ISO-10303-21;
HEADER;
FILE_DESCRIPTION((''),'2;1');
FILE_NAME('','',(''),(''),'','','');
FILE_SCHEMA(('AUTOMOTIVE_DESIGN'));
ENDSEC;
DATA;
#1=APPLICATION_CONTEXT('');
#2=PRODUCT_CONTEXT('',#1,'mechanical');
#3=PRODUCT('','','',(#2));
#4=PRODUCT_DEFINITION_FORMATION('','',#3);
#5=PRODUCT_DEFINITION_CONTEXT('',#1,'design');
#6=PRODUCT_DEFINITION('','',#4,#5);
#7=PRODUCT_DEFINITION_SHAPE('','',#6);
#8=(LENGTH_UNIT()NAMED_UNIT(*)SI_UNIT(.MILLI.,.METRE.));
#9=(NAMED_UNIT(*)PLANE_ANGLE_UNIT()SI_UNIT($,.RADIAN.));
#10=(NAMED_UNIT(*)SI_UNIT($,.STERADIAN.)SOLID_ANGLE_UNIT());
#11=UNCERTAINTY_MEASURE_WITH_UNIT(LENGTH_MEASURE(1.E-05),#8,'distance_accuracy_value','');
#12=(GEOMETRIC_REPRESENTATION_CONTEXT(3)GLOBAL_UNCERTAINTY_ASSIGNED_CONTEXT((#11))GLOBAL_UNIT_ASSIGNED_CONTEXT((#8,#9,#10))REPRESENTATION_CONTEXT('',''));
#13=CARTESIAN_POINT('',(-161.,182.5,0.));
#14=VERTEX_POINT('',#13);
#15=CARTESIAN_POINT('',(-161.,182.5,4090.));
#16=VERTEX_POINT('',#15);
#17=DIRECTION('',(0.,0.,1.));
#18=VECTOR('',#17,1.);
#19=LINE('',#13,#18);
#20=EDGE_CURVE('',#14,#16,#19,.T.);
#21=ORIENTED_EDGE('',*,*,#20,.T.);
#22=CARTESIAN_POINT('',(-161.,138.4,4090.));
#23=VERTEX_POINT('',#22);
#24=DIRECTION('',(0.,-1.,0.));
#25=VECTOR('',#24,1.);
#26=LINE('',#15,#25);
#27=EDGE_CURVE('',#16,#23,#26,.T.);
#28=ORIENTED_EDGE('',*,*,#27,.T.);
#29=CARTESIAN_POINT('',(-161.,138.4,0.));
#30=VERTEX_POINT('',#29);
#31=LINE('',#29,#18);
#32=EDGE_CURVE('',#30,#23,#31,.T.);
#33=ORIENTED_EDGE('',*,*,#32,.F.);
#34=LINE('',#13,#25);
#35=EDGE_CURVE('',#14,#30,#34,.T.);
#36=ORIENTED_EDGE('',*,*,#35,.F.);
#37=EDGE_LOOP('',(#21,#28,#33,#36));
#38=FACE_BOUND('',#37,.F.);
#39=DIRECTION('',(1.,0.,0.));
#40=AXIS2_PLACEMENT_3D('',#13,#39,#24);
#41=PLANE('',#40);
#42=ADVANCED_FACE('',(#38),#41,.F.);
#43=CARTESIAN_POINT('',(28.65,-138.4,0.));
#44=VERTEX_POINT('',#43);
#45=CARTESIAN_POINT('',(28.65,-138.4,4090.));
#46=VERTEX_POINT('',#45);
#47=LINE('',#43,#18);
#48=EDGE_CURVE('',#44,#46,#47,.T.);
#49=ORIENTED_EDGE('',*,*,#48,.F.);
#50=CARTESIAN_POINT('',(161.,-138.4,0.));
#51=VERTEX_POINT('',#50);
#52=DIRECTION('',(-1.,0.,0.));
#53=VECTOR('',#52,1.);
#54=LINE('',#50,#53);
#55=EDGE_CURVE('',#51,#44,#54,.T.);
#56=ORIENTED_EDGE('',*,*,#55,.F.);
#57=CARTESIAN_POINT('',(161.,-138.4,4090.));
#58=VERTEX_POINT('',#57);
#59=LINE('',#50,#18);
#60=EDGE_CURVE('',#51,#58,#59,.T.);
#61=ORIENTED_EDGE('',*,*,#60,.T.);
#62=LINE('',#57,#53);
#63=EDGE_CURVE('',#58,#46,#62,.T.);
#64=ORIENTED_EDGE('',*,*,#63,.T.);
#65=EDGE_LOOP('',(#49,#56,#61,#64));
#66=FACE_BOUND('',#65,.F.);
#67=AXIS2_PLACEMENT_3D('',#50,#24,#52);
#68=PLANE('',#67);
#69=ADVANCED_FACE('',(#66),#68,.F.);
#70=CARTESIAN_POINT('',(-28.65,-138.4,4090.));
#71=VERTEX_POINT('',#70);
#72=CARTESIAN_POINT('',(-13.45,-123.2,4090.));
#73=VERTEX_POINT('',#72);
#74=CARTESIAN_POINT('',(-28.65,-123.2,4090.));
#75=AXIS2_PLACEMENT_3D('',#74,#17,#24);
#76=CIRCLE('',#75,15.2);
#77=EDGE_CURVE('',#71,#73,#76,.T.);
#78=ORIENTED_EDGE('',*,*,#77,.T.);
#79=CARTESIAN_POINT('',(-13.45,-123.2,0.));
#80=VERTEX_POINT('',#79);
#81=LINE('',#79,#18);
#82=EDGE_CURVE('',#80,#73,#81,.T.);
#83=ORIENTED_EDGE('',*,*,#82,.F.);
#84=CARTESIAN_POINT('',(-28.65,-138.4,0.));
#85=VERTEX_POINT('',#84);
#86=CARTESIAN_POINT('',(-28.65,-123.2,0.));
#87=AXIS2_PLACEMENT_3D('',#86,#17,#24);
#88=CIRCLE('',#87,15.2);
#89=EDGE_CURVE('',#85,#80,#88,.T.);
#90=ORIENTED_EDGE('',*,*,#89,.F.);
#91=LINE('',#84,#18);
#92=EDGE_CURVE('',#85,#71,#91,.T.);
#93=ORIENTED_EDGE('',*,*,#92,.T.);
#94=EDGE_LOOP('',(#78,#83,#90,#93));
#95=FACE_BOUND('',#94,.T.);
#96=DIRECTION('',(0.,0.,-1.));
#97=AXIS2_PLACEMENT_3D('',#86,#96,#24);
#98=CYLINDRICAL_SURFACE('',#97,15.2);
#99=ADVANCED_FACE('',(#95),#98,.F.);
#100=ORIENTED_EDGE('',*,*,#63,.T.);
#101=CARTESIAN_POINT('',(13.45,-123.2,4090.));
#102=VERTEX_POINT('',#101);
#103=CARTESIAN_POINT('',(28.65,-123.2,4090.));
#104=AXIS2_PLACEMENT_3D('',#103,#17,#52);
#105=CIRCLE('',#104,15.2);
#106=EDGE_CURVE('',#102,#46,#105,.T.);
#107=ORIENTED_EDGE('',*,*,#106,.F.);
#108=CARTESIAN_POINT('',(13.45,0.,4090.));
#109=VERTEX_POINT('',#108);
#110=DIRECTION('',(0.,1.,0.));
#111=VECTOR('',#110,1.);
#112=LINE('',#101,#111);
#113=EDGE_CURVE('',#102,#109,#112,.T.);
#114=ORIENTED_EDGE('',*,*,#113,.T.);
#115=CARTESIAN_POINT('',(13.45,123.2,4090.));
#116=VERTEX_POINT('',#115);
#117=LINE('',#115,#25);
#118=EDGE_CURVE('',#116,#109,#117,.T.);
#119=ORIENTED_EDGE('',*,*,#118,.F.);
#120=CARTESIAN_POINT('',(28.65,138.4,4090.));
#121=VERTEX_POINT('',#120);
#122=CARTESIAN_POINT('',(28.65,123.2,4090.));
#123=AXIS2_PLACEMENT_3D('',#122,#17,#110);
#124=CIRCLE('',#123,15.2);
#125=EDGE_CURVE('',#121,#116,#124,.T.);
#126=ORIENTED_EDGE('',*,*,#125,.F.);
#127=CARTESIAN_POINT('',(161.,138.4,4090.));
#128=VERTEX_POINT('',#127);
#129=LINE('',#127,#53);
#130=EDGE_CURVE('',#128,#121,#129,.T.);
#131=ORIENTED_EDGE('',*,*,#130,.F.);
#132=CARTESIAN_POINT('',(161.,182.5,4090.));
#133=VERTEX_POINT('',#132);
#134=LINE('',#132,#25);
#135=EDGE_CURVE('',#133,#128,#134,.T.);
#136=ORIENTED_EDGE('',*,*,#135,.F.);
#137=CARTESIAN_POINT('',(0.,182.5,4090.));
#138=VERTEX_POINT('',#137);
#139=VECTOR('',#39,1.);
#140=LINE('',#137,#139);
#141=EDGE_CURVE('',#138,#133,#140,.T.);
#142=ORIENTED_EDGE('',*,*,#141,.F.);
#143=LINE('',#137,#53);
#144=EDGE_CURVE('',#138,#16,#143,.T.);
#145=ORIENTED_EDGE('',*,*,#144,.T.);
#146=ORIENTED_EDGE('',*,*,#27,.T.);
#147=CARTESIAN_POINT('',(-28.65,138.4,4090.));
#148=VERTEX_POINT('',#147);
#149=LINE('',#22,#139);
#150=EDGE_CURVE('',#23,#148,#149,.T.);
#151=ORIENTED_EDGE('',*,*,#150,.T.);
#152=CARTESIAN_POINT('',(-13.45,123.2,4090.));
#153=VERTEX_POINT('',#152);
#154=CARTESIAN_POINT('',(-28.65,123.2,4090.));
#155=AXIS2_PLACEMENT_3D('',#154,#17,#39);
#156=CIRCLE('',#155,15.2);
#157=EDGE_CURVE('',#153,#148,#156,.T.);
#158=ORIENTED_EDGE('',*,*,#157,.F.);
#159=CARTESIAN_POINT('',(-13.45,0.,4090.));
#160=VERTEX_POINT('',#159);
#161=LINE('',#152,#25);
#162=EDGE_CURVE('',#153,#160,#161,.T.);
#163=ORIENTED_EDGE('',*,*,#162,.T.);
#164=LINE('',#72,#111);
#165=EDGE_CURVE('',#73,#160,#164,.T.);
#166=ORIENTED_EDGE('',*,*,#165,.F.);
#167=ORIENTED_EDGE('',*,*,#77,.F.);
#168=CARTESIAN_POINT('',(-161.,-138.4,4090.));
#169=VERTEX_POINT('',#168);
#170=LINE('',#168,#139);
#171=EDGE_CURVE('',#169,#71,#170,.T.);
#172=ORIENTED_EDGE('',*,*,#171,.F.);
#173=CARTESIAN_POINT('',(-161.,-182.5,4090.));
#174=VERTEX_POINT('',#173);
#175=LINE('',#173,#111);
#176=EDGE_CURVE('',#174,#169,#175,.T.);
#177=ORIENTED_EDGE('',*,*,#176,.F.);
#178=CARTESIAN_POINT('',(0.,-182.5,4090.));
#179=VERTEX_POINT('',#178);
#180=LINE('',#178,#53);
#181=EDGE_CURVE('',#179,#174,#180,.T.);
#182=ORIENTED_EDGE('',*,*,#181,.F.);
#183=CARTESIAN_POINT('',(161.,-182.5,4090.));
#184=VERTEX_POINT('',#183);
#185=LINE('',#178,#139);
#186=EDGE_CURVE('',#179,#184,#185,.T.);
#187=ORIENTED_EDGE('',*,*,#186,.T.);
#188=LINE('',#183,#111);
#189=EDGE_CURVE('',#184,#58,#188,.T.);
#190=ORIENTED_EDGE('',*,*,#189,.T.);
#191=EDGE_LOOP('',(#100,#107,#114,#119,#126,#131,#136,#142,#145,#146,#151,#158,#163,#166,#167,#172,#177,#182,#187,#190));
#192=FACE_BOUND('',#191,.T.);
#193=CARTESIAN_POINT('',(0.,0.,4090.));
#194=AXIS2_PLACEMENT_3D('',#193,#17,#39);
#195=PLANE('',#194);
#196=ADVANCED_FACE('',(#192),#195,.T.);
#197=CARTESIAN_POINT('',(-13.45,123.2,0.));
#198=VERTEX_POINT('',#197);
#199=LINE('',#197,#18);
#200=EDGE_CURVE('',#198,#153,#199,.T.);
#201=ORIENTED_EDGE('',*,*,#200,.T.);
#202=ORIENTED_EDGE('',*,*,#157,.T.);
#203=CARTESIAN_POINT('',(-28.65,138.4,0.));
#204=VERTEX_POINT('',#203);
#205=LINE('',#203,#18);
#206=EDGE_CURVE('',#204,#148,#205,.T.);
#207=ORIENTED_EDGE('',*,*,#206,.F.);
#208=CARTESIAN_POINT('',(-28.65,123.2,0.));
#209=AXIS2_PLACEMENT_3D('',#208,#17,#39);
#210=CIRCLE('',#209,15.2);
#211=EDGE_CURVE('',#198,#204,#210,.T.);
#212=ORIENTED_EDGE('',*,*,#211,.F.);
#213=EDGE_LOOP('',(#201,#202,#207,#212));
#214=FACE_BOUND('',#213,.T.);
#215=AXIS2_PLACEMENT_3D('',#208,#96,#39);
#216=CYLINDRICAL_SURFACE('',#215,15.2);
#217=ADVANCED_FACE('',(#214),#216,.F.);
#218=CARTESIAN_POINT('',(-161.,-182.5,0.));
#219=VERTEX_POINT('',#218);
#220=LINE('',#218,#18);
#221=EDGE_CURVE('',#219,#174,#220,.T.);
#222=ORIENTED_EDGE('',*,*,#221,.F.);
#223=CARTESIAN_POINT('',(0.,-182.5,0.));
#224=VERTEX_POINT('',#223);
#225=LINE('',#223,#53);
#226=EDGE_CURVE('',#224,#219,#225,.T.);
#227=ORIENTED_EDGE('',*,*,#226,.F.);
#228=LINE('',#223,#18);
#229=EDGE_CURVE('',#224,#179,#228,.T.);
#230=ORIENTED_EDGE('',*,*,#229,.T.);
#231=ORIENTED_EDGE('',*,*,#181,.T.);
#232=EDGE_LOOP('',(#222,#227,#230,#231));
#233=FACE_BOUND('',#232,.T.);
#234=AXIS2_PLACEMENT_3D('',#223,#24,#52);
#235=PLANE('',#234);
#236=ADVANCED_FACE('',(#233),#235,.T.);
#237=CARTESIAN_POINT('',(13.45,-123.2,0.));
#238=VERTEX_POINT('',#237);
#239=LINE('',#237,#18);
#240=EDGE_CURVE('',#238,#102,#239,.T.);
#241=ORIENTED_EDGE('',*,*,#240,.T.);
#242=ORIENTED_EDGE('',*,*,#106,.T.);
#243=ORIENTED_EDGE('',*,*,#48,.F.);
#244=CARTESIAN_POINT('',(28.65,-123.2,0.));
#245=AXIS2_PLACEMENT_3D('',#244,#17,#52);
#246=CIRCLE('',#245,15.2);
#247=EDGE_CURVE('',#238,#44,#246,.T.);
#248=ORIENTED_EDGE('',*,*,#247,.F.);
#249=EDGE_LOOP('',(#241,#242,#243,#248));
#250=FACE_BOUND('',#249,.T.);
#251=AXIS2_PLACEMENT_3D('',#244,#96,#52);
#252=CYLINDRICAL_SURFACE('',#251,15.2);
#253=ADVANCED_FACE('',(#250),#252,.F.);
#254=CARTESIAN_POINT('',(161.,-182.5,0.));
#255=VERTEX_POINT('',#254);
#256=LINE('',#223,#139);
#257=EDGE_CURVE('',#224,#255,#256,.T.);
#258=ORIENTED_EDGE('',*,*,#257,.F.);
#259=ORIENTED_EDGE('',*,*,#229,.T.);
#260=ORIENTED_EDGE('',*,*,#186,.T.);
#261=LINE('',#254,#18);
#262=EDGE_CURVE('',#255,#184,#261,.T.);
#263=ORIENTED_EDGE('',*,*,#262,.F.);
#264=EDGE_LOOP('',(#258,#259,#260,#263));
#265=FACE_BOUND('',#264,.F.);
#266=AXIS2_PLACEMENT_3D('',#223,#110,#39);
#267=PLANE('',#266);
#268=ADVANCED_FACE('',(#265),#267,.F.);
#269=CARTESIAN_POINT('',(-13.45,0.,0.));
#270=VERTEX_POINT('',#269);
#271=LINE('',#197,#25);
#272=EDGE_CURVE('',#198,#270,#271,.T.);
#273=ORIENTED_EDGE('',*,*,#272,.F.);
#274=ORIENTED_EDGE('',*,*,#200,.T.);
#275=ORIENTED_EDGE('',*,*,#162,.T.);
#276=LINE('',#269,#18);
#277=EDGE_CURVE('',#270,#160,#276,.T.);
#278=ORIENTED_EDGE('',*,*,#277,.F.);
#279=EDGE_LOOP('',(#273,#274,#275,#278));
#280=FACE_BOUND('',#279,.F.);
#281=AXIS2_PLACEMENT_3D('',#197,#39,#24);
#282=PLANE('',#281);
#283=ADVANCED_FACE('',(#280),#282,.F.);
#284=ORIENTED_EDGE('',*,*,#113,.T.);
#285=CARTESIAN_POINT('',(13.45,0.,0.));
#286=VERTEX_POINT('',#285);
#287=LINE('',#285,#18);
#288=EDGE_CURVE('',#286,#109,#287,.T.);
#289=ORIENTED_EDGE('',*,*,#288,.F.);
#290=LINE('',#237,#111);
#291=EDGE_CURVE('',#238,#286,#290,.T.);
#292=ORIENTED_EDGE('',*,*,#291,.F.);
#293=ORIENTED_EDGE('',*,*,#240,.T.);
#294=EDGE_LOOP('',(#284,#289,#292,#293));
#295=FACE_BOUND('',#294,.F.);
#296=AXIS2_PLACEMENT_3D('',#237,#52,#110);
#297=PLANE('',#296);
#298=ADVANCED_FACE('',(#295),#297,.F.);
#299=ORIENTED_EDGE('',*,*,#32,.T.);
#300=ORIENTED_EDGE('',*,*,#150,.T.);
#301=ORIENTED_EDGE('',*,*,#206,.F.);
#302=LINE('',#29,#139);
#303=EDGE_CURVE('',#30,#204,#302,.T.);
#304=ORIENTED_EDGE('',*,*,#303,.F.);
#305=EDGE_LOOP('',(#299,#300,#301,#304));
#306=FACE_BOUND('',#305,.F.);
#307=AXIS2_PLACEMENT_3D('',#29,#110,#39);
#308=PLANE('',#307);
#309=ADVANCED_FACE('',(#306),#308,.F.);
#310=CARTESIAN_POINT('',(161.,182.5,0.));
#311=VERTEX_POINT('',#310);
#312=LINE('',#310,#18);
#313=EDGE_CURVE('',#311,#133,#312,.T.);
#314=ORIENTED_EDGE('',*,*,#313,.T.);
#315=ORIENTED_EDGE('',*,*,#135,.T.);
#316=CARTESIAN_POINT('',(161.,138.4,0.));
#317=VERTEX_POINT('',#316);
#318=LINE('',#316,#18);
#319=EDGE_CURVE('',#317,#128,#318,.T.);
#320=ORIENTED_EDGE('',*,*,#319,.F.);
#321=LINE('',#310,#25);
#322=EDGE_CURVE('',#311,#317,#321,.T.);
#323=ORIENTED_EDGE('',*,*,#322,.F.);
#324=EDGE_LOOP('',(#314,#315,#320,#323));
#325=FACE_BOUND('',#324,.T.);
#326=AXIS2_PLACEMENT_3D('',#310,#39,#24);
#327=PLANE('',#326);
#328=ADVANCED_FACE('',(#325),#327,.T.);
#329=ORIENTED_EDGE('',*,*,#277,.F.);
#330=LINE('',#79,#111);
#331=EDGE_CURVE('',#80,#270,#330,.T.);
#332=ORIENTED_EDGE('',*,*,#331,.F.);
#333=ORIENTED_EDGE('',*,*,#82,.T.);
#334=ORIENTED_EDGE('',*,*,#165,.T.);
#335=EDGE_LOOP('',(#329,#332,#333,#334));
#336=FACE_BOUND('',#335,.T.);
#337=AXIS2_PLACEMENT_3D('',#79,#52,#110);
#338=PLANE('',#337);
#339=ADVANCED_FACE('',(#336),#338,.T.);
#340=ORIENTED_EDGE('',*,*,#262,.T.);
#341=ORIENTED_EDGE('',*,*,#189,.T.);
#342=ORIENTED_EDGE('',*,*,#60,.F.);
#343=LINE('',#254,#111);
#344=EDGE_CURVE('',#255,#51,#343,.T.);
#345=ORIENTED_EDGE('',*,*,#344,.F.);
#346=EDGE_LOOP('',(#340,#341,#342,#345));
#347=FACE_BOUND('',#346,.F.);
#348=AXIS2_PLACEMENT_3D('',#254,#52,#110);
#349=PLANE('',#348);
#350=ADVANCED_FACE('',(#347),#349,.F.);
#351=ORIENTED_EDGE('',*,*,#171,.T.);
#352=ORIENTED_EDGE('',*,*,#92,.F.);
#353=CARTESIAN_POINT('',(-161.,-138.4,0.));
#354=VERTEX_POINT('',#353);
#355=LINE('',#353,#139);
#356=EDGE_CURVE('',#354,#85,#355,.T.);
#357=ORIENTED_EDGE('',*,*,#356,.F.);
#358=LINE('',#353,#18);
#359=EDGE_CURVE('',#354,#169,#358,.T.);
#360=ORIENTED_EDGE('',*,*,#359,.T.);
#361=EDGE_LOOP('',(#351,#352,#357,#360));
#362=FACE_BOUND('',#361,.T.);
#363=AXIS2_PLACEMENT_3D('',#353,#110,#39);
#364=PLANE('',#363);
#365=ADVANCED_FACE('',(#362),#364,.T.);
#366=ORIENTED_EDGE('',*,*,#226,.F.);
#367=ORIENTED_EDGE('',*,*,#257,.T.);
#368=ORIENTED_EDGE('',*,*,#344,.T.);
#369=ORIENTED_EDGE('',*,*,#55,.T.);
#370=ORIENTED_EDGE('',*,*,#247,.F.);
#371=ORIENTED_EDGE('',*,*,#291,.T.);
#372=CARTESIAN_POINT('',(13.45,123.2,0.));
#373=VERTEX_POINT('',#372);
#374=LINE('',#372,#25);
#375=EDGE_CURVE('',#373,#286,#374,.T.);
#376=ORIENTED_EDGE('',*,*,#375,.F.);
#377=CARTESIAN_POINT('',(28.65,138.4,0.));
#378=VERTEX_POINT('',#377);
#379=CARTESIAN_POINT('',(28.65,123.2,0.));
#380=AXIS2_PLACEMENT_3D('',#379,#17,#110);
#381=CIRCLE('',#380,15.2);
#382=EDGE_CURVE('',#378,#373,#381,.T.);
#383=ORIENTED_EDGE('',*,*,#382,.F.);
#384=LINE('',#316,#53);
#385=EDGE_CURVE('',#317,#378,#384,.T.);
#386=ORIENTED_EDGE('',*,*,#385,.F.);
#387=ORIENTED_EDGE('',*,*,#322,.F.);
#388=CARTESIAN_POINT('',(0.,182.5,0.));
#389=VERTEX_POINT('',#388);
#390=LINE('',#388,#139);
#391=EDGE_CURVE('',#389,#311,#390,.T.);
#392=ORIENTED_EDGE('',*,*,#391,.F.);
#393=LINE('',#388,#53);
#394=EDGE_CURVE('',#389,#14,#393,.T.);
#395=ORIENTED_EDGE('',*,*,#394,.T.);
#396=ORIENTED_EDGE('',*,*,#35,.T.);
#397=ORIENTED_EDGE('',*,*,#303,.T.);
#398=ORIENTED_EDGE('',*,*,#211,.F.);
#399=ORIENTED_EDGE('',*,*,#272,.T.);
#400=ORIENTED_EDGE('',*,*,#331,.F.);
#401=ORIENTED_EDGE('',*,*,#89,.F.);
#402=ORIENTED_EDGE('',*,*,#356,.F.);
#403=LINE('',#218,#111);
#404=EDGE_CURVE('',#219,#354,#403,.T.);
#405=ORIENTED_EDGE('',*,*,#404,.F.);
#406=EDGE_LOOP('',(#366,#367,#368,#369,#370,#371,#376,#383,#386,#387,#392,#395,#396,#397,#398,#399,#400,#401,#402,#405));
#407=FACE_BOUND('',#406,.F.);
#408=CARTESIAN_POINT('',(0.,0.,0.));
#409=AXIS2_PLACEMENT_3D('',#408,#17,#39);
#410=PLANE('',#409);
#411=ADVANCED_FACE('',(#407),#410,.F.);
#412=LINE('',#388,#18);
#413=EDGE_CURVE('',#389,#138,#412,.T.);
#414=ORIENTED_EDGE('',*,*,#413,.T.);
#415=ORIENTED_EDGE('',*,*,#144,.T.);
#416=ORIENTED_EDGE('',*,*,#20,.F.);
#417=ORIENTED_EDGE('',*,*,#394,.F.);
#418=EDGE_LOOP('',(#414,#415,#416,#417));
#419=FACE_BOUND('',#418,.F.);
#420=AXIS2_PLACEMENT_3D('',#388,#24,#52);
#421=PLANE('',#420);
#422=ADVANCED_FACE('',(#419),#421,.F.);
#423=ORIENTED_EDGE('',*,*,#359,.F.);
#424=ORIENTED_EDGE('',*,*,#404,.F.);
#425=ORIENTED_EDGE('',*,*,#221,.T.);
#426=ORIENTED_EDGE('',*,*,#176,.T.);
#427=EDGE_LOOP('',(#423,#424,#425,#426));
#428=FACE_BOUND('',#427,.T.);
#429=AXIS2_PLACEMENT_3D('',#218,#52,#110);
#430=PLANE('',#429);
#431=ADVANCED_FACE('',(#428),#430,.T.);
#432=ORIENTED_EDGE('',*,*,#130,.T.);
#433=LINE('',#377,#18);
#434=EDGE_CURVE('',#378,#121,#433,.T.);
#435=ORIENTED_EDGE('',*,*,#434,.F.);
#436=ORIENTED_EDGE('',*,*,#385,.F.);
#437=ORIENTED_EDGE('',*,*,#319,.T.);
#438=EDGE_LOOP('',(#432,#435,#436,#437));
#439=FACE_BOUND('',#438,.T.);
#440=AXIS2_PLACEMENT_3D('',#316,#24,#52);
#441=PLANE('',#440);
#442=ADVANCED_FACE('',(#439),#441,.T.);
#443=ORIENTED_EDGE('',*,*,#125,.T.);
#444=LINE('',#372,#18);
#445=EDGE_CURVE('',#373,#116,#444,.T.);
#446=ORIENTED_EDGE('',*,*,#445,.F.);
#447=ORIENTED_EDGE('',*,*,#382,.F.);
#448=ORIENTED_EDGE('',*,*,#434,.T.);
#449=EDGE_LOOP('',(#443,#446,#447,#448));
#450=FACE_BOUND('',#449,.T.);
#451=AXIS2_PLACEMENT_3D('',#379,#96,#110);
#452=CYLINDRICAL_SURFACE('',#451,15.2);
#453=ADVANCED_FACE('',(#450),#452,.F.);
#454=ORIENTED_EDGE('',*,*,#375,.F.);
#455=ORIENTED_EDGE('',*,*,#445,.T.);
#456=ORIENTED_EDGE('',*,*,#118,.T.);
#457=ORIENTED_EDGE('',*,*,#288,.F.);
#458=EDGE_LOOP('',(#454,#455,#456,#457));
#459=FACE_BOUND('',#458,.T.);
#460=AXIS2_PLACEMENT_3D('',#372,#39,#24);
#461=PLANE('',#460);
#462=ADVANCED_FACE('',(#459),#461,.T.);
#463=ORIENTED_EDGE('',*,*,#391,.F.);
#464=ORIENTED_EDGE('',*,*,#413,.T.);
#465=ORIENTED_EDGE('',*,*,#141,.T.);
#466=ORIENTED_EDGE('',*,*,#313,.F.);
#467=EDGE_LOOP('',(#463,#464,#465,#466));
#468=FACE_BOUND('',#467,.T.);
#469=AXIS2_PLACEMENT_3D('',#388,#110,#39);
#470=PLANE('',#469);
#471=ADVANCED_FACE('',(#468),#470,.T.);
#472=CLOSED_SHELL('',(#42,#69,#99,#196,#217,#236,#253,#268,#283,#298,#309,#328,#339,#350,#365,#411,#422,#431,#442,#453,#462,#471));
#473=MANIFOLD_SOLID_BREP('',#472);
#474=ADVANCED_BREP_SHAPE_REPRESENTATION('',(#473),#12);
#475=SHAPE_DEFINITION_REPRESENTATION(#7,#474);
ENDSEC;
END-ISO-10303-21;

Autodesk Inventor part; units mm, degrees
ref_plane "YZ Plane" through (0, 0, 0) normal (1, 0, 0) x (0, 1, 0)
ref_plane "Start plane" through (0, 0, 0) normal (0, 0, 1) x (1, 0, 0)
ref_plane "End plane" through (0, 0, 4090) normal (0, 0, 1) x (1, 0, 0)
sketch "Sketch" plane through (0, 0, 0) normal (0, 0, 1) x (1, 0, 0)
  line L0 (-161, -182.5) -> (-161, -138.4)
  line L1 (-161, -138.4) -> (-28.65, -138.4)
  line L2 (-13.45, -123.2) -> (-13.45, 0)
  line L3 (-13.45, 0) -> (0, 0) construction
  line L4 (0, 0) -> (0, -182.5) construction
  line L5 (0, -182.5) -> (-161, -182.5)
  line L6 (-60, 0) -> (80, 0) construction
  line L7 (0, -60) -> (0, 80) construction
  line L8 (161, -182.5) -> (161, -138.4)
  line L9 (161, -138.4) -> (28.65, -138.4)
  line L10 (13.45, -123.2) -> (13.45, 0)
  line L11 (13.45, 0) -> (0, 0) construction
  line L12 (0, -182.5) -> (161, -182.5)
  line L13 (-161, 182.5) -> (-161, 138.4)
  line L14 (-161, 138.4) -> (-28.65, 138.4)
  line L15 (-13.45, 123.2) -> (-13.45, 0)
  line L16 (0, 182.5) -> (-161, 182.5)
  line L17 (161, 182.5) -> (161, 138.4)
  line L18 (161, 138.4) -> (28.65, 138.4)
  line L19 (0, 182.5) -> (161, 182.5)
  line L20 (13.45, 123.2) -> (13.45, 0)
  arc A0 (-13.45, 123.2) -> (-28.65, 138.4) centre (-28.65, 123.2) ccw
  arc A1 (28.65, 138.4) -> (13.45, 123.2) centre (28.65, 123.2) ccw
  arc A2 (13.45, -123.2) -> (28.65, -138.4) centre (28.65, -123.2) ccw
  arc A3 (-28.65, -138.4) -> (-13.45, -123.2) centre (-28.65, -123.2) ccw
  line L21 (0, 108) -> (0, -88) construction
  line L22 (-88, 0) -> (108, 0) construction
  point P0 (-13.45, -138.4)
  point P1 (13.45, -138.4)
  point P2 (-13.45, 138.4)
  point P3 (13.45, 138.4)
  dimension "d1" = 182.5
  dimension "d2" = 44.1
  dimension "d3" = 161
  dimension "d4" = 13.45
  dimension "d10" = 15.2
extrude "Body" add sketch "Sketch" along normal up to surface (4090 mm away) from surface at 0
sketch "Sketch4" plane through (0, 0, 0) normal (0, 0, 1) x (1, 0, 0)
  line L0 (0, 0) -> (10, 0)
ref_plane "Work Plane3" through (0, 0, 0) normal (0, -1, 0) x (1, 0, 0)
sketch "Sketch5" plane through (0, 0, 0) normal (0, -1, 0) x (1, 0, 0)
  line L0 (-2, 0) -> (12, 0) projected
  line L1 (-2, 4090) -> (12, 4090) projected
  dimension "d14" = 4090
equation "\"d1\" = 0.5 * G_H"
equation "\"d2\" = G_T1"
equation "\"d3\" = 0.5 * G_W"
equation "\"d4\" = 0.5 * G_T"
equation "\"d10\" = G_IR"
equation "\"d5\" = G_L"
equation "\"G_W\" = 322"
equation "\"G_H\" = 365"
equation "\"G_T\" = 26.9"
equation "\"G_T1\" = 44.1"
equation "\"G_IR\" = 15.2"
equation "\"G_L\" = d14"
equation "\"G_OFFSET_START\" = 0"
equation "\"G_OFFSET_END\" = 0"
properties part number "AS 3679 - 310 UC - 283 - 4090" material "Steel, Mild"
